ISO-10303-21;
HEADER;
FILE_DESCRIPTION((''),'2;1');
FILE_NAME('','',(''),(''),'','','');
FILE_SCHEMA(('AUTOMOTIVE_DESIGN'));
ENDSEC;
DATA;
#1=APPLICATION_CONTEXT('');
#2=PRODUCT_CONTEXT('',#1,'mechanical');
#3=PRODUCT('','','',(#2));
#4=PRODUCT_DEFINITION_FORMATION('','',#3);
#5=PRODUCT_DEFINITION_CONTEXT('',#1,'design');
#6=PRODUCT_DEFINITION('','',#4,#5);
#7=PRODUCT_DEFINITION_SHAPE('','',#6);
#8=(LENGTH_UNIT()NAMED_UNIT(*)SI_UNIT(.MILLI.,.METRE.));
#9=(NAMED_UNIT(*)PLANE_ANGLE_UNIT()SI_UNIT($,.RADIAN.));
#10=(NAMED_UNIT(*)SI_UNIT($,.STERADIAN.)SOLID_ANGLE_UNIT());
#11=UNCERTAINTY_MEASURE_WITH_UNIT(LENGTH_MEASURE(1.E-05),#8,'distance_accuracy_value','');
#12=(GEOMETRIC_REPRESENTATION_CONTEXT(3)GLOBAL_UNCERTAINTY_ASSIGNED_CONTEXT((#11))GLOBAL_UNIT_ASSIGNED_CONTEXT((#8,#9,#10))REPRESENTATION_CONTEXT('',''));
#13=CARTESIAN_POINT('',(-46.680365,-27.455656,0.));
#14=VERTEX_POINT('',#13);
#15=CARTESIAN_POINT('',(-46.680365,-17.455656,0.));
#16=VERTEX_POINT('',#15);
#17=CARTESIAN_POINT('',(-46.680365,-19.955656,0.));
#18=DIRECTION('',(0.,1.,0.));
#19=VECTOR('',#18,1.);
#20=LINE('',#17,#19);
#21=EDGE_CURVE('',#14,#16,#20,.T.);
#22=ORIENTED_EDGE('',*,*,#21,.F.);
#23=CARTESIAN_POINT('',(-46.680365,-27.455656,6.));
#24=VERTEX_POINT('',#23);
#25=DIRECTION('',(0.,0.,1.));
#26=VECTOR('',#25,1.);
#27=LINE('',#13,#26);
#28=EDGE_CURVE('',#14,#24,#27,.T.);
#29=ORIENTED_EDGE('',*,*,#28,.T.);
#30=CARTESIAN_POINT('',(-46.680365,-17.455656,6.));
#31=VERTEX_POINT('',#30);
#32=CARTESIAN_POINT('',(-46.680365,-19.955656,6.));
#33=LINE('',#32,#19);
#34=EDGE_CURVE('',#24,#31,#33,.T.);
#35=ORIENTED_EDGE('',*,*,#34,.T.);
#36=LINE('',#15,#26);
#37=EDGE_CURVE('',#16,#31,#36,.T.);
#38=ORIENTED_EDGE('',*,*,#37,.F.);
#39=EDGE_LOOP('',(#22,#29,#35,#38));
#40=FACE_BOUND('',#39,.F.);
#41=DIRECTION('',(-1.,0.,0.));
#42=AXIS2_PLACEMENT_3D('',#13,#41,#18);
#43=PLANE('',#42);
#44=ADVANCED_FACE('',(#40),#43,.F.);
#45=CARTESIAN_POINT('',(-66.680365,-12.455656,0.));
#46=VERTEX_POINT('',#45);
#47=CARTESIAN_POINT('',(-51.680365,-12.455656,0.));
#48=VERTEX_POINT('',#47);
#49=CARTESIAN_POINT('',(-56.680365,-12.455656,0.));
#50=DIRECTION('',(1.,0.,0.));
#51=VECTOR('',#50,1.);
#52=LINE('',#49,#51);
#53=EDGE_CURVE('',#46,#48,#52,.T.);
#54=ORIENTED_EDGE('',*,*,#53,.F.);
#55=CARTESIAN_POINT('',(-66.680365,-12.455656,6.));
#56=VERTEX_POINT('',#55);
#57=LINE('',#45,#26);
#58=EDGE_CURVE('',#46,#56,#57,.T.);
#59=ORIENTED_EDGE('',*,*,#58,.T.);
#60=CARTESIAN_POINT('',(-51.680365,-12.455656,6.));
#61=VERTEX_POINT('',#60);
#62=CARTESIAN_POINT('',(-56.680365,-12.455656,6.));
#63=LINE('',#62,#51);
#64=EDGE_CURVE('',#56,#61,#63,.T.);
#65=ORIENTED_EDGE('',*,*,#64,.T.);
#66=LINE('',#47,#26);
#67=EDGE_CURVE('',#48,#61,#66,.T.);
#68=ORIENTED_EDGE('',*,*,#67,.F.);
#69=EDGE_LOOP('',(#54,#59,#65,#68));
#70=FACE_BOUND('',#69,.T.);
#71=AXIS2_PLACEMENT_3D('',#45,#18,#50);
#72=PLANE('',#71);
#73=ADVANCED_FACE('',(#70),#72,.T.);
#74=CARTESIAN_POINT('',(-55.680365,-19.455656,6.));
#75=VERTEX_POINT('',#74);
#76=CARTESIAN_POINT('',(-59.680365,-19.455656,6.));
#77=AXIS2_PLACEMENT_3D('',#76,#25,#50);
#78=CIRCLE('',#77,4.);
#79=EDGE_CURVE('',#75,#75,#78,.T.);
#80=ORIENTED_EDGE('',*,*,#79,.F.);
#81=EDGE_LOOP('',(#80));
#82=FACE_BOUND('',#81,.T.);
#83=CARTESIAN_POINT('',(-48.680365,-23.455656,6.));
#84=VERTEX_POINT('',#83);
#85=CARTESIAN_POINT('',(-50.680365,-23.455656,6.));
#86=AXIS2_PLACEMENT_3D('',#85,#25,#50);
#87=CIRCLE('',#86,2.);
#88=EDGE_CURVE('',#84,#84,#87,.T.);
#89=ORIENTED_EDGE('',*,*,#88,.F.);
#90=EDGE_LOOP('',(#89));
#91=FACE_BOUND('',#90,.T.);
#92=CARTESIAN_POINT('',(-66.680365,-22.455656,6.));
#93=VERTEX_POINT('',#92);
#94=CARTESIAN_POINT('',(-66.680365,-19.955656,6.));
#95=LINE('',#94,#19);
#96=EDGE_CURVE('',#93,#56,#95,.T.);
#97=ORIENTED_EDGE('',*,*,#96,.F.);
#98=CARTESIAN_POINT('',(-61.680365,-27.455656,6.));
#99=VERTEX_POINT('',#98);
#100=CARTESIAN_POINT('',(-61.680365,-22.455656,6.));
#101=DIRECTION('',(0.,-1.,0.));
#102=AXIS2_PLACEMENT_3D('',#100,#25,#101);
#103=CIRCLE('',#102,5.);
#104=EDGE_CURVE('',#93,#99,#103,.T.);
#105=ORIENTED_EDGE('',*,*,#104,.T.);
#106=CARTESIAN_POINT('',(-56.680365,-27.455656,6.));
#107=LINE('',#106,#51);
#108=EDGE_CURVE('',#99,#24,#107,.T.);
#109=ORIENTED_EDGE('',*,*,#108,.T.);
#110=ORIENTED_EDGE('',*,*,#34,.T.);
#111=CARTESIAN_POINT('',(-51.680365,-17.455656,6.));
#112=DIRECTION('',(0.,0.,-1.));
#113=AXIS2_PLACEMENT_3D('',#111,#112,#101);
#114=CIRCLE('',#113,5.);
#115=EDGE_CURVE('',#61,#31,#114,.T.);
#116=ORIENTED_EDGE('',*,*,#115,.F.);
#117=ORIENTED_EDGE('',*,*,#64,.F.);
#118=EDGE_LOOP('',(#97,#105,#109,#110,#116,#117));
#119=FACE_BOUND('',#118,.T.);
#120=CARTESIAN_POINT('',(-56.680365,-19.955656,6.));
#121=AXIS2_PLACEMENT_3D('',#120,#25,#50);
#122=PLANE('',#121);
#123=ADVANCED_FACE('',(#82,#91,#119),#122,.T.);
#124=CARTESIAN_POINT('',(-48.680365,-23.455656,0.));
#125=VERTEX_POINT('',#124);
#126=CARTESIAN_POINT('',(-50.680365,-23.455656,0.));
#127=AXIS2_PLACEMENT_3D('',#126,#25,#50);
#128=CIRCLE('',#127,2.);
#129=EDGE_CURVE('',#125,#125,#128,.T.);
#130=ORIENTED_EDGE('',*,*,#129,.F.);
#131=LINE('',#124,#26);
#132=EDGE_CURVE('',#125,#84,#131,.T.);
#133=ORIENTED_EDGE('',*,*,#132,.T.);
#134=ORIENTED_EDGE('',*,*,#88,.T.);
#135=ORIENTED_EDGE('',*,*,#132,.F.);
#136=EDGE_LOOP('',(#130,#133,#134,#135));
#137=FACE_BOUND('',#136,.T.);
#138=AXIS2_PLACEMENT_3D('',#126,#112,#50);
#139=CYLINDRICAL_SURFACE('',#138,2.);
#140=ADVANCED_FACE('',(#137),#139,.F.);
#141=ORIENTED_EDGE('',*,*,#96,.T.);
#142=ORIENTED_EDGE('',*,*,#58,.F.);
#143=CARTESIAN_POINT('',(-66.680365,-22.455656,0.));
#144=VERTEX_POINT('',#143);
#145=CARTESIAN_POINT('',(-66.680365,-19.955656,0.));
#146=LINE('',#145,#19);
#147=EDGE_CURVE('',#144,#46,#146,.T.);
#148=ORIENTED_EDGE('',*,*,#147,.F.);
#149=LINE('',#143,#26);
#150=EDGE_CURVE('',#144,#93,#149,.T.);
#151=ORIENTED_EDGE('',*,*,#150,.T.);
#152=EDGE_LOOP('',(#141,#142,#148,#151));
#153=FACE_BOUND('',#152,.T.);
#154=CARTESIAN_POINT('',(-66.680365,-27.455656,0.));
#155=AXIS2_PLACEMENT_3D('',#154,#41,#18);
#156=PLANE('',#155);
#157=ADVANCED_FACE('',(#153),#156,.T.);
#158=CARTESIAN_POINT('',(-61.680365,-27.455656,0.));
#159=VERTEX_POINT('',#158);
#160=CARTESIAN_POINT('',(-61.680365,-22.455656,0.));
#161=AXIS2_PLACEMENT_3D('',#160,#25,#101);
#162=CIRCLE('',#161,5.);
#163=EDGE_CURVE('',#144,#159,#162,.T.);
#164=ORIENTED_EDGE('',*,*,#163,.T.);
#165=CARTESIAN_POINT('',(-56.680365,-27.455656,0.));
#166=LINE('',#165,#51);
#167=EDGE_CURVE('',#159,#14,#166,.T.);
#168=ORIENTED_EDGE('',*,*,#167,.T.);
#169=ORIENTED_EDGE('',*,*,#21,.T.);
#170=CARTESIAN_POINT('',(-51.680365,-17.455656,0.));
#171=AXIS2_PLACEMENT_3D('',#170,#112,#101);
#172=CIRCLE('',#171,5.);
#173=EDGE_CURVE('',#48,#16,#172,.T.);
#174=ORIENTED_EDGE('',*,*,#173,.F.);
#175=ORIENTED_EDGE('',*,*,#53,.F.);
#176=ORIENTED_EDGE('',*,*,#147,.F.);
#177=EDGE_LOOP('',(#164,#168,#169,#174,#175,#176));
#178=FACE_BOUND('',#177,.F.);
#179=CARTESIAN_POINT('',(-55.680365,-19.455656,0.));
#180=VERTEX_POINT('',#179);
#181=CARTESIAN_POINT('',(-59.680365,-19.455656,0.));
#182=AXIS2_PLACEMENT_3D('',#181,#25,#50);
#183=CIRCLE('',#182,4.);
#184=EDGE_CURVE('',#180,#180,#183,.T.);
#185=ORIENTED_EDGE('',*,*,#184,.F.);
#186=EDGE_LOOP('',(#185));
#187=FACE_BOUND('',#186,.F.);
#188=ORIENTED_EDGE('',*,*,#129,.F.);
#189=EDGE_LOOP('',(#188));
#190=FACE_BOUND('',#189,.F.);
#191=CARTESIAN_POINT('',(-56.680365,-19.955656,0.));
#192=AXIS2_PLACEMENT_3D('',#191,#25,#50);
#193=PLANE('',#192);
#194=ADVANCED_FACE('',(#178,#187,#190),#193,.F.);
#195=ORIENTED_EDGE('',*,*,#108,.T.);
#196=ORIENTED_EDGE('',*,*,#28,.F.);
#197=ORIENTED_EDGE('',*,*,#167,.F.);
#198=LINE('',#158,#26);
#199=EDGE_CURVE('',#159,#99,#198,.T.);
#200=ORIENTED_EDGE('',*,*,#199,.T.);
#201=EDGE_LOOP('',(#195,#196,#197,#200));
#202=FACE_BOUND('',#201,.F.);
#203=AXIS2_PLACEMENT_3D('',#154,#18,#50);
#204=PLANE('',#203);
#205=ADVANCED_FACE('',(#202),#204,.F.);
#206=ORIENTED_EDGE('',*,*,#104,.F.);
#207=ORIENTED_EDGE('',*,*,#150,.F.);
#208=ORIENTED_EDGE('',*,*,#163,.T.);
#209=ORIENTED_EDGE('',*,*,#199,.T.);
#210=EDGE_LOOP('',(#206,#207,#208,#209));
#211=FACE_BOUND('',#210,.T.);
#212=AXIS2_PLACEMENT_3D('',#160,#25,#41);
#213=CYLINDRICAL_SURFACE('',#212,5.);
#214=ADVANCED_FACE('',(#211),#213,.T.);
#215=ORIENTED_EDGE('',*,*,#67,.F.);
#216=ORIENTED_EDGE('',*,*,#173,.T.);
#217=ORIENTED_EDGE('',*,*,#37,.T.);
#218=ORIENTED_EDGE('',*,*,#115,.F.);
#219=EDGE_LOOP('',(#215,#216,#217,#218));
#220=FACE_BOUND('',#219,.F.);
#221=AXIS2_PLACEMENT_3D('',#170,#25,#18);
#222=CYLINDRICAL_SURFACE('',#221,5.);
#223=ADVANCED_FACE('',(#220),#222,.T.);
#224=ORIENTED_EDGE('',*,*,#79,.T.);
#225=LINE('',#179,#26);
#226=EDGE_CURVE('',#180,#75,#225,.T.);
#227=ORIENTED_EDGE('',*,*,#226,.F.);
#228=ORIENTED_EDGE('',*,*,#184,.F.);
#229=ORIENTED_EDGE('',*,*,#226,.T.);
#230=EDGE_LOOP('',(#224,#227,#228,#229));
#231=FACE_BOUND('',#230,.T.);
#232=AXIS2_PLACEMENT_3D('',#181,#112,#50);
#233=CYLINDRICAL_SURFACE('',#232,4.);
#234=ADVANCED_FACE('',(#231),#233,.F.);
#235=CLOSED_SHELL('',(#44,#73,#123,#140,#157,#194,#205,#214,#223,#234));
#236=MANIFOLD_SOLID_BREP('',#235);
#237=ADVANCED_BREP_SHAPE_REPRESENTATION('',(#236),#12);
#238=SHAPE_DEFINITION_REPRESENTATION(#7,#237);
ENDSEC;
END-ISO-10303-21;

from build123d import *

# Parameters (mm, degrees)
F0_W     = 20
F0_H     = 15
F0_R     = 2
F0_R_2   = 4
F1_DEPTH = 6
F2_R     = 5


with BuildPart() as f1:
    # F0 (on Top) → F1 (new body)
    with BuildSketch(Plane.XY):
        with Locations((-56.680365, -19.955656)):
            Rectangle(F0_W, F0_H)
        with Locations((-50.680365, -23.455656)):
            Circle(F0_R, mode=Mode.SUBTRACT)
        with Locations((-59.680365, -19.455656)):
            Circle(F0_R_2, mode=Mode.SUBTRACT)
    extrude(amount=F1_DEPTH)

    # F2
    f2_edges = [f1.edges().sort_by_distance(p)[0] for p in [
        (-46.680365, -12.455656, 3),
        (-66.680365, -27.455656, 3),
    ]]
    fillet(f2_edges, radius=F2_R)


solid = f1.part
